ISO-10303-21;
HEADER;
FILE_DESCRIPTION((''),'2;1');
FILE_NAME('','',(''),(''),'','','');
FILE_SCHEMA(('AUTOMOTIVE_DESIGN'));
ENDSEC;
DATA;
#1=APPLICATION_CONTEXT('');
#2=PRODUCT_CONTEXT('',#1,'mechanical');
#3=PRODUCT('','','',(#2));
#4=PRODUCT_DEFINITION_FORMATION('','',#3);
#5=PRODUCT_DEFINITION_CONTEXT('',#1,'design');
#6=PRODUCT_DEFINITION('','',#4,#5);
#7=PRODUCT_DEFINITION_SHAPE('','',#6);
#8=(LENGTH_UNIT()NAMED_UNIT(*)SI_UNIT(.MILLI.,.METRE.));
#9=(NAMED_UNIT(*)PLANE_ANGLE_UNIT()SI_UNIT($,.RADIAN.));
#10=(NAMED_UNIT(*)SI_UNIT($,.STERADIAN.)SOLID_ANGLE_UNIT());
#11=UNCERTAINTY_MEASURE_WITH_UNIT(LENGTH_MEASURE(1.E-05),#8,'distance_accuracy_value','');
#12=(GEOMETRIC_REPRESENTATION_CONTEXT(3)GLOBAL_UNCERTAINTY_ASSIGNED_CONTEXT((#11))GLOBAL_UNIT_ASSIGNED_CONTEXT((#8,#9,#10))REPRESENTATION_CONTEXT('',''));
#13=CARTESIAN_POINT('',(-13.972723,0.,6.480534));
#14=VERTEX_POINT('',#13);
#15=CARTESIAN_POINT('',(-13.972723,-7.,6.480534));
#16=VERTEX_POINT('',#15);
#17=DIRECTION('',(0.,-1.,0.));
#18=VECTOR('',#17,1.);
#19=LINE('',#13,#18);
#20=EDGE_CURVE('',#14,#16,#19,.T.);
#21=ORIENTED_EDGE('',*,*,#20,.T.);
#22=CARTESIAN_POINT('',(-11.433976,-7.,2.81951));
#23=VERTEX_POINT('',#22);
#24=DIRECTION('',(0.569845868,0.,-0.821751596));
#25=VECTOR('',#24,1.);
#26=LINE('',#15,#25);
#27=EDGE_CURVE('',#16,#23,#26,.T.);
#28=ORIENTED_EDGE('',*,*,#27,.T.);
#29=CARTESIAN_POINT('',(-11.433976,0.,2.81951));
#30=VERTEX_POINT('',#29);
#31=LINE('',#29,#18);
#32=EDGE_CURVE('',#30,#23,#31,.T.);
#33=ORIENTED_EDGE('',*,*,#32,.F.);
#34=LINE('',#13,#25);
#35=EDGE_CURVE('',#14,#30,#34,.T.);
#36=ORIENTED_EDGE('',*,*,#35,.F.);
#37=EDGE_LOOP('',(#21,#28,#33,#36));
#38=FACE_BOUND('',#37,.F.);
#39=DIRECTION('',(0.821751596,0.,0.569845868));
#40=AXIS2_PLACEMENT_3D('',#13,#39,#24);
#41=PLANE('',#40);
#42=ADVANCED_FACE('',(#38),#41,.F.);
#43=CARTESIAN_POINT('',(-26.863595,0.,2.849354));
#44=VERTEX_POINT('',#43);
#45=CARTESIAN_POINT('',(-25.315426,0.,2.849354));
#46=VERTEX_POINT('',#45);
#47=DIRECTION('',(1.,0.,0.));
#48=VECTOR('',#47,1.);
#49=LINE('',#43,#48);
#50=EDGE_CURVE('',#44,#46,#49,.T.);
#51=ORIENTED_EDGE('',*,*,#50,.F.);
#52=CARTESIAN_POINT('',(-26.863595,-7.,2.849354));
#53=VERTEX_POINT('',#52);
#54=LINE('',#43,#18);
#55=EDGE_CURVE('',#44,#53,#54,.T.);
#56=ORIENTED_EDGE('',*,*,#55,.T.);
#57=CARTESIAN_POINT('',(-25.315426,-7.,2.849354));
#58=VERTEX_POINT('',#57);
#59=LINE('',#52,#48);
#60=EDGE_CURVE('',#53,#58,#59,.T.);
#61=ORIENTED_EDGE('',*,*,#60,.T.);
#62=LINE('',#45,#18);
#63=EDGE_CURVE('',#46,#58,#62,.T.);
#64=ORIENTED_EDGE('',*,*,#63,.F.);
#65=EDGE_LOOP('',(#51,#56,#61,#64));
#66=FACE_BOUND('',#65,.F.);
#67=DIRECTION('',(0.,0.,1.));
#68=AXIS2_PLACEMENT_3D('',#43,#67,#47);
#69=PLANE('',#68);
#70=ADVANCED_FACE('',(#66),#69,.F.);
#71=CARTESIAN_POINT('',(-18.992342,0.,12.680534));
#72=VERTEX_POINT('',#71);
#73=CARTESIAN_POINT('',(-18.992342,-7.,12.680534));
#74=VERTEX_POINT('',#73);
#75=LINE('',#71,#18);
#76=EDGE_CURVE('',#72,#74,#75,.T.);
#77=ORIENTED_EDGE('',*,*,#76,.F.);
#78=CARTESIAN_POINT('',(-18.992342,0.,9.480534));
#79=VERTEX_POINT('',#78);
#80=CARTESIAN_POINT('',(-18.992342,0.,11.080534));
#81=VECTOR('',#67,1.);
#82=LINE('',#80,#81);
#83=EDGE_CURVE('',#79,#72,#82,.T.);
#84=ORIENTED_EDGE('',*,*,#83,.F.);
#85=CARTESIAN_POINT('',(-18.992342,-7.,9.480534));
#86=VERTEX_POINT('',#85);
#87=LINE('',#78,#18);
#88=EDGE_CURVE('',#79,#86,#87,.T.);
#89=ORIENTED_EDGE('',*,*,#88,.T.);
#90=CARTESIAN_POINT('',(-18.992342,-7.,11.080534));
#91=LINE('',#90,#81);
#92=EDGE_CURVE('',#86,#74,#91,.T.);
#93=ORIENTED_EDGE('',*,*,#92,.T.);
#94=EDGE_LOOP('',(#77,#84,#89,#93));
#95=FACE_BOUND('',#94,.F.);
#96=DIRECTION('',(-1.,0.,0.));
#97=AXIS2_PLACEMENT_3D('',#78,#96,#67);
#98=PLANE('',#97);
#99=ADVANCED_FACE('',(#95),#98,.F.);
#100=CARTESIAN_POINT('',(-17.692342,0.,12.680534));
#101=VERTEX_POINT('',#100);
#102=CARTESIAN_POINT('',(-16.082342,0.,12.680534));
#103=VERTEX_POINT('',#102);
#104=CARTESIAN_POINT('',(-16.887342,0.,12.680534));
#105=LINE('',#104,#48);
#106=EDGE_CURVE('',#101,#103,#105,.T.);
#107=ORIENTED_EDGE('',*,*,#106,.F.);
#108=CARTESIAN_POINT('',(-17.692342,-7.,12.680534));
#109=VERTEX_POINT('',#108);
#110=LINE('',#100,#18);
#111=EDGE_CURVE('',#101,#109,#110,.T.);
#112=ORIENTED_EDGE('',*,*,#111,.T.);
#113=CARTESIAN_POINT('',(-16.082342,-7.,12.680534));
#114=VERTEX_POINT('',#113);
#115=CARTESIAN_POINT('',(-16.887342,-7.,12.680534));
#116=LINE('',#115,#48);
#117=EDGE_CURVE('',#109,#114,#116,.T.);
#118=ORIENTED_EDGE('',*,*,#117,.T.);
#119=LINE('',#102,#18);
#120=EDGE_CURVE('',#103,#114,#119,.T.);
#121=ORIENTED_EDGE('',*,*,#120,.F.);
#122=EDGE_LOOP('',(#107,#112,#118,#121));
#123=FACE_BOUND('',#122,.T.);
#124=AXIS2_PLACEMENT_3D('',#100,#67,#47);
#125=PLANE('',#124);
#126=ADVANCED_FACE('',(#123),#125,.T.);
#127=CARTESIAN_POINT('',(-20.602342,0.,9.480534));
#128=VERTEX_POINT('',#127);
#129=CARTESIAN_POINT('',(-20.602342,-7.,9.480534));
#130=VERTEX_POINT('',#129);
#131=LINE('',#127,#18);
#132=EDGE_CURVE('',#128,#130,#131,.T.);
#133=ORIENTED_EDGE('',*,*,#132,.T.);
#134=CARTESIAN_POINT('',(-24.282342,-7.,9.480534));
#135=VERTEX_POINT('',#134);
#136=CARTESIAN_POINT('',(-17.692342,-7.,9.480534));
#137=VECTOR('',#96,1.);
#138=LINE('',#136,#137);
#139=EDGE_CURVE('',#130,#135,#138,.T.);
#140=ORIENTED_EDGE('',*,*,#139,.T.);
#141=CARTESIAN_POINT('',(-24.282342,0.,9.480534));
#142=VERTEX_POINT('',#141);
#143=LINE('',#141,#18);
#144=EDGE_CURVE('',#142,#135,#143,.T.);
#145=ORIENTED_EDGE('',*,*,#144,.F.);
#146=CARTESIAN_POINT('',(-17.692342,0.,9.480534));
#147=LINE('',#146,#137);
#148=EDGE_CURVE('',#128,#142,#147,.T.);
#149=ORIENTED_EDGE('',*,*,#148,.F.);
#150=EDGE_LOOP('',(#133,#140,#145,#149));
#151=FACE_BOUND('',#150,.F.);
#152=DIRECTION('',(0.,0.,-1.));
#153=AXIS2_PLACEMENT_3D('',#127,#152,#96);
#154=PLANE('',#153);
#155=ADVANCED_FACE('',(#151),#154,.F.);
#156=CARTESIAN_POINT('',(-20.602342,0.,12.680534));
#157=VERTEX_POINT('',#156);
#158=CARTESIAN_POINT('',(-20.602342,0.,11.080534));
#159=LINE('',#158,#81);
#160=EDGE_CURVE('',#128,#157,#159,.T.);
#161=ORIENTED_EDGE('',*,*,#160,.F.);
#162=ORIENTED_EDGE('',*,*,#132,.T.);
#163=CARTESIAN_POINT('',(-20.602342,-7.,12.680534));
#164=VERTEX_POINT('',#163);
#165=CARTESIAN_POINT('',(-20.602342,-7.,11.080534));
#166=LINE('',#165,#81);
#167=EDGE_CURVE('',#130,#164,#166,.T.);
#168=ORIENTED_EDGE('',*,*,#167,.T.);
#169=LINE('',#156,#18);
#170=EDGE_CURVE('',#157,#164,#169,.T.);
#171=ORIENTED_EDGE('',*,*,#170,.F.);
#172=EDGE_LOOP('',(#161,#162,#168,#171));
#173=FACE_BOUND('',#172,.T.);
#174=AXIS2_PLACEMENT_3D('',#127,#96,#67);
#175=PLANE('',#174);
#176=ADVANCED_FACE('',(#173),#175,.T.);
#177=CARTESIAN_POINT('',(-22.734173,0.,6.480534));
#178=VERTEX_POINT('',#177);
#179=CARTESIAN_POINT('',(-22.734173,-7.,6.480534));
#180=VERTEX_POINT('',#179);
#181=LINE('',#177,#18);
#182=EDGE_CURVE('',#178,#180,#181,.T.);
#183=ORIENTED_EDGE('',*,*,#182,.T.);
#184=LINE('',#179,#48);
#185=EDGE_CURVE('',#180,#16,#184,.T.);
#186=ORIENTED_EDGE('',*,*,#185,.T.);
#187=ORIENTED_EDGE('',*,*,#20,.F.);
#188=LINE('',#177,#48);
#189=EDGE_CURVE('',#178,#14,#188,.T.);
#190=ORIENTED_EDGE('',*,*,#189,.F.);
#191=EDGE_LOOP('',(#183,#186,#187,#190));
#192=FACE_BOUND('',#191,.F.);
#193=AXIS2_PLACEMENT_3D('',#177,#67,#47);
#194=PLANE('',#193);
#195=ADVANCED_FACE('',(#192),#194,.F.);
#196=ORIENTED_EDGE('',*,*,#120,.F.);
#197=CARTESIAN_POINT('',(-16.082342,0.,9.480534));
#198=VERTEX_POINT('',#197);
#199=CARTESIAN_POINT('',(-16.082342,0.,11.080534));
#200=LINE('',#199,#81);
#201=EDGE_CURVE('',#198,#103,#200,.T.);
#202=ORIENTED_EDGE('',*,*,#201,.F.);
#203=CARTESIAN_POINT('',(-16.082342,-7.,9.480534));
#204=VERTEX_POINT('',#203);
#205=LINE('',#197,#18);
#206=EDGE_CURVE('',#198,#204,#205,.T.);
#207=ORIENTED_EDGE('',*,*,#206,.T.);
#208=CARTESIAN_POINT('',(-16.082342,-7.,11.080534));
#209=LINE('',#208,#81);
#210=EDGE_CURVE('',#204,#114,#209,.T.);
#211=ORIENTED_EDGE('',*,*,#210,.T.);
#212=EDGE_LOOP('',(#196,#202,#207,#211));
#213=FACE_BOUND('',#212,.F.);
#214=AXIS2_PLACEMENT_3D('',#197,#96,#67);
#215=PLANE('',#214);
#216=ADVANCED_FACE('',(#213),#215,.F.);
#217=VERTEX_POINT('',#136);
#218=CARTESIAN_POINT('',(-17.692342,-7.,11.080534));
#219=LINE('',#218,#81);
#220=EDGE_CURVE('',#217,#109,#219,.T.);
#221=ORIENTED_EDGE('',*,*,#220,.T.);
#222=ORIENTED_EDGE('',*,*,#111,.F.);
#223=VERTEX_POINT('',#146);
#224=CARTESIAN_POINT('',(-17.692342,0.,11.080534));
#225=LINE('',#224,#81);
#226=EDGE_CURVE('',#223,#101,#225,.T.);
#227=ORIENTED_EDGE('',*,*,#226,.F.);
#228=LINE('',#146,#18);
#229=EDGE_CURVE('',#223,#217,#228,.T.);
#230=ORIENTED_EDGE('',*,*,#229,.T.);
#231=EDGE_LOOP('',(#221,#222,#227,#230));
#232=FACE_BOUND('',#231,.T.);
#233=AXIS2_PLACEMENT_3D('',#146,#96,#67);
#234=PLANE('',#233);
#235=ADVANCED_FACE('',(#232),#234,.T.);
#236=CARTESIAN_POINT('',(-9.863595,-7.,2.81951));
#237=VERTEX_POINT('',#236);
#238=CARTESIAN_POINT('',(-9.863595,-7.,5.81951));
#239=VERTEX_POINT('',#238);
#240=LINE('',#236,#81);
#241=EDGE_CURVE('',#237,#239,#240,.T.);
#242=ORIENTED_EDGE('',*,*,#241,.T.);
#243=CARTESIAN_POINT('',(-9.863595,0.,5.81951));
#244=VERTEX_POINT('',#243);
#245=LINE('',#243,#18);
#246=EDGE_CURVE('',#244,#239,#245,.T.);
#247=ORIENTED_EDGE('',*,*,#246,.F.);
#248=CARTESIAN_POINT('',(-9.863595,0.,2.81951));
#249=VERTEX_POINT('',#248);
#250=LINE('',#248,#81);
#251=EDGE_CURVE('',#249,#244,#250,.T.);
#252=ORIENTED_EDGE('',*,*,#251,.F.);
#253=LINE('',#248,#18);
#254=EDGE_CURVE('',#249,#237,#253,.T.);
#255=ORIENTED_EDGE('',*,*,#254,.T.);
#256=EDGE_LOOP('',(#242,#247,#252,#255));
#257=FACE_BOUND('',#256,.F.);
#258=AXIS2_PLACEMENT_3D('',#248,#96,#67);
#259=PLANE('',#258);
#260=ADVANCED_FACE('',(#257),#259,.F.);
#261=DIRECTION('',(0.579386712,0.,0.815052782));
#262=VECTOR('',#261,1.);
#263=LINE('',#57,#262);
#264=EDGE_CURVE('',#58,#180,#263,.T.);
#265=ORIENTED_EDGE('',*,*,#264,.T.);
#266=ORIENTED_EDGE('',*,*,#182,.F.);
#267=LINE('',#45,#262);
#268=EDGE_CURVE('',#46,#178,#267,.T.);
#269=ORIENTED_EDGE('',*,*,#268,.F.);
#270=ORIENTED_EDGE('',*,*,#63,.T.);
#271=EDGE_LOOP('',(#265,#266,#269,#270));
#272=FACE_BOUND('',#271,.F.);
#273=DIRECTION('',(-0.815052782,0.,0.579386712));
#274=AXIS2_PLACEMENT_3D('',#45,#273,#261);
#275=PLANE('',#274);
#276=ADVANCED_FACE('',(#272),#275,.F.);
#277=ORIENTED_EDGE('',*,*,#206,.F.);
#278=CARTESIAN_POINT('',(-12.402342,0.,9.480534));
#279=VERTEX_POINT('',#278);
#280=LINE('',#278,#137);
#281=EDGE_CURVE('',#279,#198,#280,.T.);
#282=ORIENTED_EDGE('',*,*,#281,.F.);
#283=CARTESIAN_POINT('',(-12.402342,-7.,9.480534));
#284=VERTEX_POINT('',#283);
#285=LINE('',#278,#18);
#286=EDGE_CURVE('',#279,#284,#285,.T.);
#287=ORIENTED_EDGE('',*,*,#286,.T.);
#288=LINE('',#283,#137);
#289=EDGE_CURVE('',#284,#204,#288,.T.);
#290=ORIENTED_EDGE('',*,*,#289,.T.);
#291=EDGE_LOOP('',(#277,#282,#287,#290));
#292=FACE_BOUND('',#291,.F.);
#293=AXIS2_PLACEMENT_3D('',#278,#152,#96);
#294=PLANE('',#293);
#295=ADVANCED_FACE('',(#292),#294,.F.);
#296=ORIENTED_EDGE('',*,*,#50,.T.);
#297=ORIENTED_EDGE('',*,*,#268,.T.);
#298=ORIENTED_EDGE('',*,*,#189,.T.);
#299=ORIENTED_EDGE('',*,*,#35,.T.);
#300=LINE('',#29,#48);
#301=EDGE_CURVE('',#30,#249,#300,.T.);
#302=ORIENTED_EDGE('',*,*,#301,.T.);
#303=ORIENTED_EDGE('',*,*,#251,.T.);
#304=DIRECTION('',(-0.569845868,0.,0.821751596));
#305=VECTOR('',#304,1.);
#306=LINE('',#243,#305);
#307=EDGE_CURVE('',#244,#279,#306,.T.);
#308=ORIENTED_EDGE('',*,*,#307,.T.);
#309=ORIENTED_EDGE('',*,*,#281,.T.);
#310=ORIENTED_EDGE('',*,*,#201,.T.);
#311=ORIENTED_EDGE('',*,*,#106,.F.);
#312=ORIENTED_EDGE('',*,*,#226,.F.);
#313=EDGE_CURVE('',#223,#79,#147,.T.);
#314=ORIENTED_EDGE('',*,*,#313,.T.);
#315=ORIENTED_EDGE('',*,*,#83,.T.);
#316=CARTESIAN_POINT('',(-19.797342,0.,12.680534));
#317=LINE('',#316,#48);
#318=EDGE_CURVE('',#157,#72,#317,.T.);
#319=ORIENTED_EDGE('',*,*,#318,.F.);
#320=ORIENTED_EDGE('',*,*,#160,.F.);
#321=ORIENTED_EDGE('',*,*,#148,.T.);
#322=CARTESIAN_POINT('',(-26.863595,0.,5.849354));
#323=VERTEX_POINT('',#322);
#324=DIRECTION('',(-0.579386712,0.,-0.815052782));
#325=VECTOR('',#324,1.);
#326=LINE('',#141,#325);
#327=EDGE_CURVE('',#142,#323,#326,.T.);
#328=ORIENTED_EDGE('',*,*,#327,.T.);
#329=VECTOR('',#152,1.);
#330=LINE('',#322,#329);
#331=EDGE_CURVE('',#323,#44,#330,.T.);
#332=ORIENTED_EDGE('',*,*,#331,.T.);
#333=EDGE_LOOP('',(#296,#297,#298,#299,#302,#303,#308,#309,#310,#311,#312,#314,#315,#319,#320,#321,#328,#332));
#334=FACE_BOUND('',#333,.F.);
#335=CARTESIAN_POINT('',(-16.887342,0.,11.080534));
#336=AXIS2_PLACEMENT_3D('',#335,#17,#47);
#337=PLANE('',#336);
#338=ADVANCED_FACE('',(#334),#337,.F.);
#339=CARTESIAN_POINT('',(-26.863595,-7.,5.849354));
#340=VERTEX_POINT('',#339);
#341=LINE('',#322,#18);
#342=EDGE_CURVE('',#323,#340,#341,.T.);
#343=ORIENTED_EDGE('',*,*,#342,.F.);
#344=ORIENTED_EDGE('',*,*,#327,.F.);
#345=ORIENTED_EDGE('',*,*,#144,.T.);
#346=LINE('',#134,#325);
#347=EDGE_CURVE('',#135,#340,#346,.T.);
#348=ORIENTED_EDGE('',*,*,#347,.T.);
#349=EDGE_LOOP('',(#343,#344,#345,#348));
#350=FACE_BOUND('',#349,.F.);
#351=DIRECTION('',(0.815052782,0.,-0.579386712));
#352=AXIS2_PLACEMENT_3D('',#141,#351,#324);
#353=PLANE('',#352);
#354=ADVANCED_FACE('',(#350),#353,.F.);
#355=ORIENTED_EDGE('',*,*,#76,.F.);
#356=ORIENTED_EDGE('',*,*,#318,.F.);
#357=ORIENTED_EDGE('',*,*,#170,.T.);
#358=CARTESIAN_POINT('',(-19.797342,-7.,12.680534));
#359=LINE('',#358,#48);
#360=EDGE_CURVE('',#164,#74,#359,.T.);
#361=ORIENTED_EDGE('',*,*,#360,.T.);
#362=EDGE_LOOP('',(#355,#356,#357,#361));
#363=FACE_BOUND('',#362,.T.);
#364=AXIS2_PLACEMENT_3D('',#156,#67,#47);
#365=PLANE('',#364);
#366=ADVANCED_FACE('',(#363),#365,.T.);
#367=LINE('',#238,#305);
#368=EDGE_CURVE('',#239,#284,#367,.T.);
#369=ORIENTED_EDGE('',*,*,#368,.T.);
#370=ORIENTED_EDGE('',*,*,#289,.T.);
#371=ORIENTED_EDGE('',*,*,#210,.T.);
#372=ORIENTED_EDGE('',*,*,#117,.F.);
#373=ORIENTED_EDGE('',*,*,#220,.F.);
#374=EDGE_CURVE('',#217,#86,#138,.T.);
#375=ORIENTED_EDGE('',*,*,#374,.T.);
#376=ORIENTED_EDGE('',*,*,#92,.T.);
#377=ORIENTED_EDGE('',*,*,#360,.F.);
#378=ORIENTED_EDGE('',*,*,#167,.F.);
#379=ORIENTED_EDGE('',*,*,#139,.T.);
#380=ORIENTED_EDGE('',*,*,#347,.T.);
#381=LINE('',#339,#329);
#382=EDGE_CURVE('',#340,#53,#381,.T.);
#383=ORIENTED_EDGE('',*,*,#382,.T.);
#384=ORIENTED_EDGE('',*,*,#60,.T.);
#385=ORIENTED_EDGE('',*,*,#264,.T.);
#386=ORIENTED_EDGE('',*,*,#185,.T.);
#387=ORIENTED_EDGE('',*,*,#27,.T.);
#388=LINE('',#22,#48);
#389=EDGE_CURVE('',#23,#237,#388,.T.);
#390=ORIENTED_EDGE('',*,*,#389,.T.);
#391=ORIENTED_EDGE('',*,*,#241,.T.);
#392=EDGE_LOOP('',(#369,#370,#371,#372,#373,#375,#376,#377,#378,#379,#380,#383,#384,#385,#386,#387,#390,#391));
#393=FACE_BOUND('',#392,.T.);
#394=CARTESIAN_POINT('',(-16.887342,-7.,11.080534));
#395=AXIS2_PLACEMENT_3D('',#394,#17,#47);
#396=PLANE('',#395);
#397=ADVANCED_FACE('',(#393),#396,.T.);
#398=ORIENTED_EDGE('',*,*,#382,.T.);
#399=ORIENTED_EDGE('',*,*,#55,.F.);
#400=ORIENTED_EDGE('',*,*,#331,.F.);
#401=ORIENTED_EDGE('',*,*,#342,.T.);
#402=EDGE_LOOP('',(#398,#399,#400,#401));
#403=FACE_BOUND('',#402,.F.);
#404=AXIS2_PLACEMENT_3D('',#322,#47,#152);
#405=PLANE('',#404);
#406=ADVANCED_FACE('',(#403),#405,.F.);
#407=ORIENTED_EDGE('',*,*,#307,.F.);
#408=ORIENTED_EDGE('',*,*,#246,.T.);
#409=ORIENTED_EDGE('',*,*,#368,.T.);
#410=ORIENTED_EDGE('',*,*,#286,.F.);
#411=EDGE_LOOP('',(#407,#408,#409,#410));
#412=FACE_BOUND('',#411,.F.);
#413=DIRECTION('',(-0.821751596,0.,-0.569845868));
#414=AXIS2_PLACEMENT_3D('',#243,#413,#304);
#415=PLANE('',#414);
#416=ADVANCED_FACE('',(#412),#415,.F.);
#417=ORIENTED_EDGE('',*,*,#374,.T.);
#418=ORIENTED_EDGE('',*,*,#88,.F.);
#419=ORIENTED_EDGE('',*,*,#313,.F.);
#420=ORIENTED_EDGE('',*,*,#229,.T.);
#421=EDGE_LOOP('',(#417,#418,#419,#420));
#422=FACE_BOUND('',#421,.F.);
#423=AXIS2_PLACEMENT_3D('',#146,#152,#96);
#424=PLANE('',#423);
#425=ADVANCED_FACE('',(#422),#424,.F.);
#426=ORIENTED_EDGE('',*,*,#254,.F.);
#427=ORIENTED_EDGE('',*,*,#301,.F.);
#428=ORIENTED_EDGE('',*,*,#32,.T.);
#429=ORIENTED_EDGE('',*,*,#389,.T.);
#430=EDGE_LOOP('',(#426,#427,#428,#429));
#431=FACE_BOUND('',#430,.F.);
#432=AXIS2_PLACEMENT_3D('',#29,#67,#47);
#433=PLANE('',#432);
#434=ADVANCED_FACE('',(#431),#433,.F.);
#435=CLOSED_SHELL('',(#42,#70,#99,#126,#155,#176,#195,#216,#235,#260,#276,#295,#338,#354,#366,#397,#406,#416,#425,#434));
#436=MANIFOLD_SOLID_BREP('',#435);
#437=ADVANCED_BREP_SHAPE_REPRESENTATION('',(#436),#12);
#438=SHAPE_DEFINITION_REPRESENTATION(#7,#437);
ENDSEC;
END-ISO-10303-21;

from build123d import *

# Parameters (mm, degrees)
F0_W     = 1.61
F0_H     = 3.2
F1_DEPTH = 7


with BuildPart() as f1:
    # F0 (on Front) → F1 (new body)
    with BuildSketch(Plane.XZ):
        with Locations((-16.887342, 11.080534)):
            Rectangle(F0_W, F0_H)
        Polygon((-16.082342, 9.480534), (-17.692342, 9.480534), (-18.992342, 9.480534), (-20.602342, 9.480534), (-24.282342, 9.480534), (-26.863595, 5.849354), (-26.863595, 2.849354), (-25.315426, 2.849354), (-22.734173, 6.480534), (-13.972723, 6.480534), (-11.433976, 2.81951), (-9.863595, 2.81951), (-9.863595, 5.81951), (-12.402342, 9.480534), align=None)
        with Locations((-19.797342, 11.080534)):
            Rectangle(F0_W, F0_H)
    extrude(amount=F1_DEPTH)


solid = f1.part
